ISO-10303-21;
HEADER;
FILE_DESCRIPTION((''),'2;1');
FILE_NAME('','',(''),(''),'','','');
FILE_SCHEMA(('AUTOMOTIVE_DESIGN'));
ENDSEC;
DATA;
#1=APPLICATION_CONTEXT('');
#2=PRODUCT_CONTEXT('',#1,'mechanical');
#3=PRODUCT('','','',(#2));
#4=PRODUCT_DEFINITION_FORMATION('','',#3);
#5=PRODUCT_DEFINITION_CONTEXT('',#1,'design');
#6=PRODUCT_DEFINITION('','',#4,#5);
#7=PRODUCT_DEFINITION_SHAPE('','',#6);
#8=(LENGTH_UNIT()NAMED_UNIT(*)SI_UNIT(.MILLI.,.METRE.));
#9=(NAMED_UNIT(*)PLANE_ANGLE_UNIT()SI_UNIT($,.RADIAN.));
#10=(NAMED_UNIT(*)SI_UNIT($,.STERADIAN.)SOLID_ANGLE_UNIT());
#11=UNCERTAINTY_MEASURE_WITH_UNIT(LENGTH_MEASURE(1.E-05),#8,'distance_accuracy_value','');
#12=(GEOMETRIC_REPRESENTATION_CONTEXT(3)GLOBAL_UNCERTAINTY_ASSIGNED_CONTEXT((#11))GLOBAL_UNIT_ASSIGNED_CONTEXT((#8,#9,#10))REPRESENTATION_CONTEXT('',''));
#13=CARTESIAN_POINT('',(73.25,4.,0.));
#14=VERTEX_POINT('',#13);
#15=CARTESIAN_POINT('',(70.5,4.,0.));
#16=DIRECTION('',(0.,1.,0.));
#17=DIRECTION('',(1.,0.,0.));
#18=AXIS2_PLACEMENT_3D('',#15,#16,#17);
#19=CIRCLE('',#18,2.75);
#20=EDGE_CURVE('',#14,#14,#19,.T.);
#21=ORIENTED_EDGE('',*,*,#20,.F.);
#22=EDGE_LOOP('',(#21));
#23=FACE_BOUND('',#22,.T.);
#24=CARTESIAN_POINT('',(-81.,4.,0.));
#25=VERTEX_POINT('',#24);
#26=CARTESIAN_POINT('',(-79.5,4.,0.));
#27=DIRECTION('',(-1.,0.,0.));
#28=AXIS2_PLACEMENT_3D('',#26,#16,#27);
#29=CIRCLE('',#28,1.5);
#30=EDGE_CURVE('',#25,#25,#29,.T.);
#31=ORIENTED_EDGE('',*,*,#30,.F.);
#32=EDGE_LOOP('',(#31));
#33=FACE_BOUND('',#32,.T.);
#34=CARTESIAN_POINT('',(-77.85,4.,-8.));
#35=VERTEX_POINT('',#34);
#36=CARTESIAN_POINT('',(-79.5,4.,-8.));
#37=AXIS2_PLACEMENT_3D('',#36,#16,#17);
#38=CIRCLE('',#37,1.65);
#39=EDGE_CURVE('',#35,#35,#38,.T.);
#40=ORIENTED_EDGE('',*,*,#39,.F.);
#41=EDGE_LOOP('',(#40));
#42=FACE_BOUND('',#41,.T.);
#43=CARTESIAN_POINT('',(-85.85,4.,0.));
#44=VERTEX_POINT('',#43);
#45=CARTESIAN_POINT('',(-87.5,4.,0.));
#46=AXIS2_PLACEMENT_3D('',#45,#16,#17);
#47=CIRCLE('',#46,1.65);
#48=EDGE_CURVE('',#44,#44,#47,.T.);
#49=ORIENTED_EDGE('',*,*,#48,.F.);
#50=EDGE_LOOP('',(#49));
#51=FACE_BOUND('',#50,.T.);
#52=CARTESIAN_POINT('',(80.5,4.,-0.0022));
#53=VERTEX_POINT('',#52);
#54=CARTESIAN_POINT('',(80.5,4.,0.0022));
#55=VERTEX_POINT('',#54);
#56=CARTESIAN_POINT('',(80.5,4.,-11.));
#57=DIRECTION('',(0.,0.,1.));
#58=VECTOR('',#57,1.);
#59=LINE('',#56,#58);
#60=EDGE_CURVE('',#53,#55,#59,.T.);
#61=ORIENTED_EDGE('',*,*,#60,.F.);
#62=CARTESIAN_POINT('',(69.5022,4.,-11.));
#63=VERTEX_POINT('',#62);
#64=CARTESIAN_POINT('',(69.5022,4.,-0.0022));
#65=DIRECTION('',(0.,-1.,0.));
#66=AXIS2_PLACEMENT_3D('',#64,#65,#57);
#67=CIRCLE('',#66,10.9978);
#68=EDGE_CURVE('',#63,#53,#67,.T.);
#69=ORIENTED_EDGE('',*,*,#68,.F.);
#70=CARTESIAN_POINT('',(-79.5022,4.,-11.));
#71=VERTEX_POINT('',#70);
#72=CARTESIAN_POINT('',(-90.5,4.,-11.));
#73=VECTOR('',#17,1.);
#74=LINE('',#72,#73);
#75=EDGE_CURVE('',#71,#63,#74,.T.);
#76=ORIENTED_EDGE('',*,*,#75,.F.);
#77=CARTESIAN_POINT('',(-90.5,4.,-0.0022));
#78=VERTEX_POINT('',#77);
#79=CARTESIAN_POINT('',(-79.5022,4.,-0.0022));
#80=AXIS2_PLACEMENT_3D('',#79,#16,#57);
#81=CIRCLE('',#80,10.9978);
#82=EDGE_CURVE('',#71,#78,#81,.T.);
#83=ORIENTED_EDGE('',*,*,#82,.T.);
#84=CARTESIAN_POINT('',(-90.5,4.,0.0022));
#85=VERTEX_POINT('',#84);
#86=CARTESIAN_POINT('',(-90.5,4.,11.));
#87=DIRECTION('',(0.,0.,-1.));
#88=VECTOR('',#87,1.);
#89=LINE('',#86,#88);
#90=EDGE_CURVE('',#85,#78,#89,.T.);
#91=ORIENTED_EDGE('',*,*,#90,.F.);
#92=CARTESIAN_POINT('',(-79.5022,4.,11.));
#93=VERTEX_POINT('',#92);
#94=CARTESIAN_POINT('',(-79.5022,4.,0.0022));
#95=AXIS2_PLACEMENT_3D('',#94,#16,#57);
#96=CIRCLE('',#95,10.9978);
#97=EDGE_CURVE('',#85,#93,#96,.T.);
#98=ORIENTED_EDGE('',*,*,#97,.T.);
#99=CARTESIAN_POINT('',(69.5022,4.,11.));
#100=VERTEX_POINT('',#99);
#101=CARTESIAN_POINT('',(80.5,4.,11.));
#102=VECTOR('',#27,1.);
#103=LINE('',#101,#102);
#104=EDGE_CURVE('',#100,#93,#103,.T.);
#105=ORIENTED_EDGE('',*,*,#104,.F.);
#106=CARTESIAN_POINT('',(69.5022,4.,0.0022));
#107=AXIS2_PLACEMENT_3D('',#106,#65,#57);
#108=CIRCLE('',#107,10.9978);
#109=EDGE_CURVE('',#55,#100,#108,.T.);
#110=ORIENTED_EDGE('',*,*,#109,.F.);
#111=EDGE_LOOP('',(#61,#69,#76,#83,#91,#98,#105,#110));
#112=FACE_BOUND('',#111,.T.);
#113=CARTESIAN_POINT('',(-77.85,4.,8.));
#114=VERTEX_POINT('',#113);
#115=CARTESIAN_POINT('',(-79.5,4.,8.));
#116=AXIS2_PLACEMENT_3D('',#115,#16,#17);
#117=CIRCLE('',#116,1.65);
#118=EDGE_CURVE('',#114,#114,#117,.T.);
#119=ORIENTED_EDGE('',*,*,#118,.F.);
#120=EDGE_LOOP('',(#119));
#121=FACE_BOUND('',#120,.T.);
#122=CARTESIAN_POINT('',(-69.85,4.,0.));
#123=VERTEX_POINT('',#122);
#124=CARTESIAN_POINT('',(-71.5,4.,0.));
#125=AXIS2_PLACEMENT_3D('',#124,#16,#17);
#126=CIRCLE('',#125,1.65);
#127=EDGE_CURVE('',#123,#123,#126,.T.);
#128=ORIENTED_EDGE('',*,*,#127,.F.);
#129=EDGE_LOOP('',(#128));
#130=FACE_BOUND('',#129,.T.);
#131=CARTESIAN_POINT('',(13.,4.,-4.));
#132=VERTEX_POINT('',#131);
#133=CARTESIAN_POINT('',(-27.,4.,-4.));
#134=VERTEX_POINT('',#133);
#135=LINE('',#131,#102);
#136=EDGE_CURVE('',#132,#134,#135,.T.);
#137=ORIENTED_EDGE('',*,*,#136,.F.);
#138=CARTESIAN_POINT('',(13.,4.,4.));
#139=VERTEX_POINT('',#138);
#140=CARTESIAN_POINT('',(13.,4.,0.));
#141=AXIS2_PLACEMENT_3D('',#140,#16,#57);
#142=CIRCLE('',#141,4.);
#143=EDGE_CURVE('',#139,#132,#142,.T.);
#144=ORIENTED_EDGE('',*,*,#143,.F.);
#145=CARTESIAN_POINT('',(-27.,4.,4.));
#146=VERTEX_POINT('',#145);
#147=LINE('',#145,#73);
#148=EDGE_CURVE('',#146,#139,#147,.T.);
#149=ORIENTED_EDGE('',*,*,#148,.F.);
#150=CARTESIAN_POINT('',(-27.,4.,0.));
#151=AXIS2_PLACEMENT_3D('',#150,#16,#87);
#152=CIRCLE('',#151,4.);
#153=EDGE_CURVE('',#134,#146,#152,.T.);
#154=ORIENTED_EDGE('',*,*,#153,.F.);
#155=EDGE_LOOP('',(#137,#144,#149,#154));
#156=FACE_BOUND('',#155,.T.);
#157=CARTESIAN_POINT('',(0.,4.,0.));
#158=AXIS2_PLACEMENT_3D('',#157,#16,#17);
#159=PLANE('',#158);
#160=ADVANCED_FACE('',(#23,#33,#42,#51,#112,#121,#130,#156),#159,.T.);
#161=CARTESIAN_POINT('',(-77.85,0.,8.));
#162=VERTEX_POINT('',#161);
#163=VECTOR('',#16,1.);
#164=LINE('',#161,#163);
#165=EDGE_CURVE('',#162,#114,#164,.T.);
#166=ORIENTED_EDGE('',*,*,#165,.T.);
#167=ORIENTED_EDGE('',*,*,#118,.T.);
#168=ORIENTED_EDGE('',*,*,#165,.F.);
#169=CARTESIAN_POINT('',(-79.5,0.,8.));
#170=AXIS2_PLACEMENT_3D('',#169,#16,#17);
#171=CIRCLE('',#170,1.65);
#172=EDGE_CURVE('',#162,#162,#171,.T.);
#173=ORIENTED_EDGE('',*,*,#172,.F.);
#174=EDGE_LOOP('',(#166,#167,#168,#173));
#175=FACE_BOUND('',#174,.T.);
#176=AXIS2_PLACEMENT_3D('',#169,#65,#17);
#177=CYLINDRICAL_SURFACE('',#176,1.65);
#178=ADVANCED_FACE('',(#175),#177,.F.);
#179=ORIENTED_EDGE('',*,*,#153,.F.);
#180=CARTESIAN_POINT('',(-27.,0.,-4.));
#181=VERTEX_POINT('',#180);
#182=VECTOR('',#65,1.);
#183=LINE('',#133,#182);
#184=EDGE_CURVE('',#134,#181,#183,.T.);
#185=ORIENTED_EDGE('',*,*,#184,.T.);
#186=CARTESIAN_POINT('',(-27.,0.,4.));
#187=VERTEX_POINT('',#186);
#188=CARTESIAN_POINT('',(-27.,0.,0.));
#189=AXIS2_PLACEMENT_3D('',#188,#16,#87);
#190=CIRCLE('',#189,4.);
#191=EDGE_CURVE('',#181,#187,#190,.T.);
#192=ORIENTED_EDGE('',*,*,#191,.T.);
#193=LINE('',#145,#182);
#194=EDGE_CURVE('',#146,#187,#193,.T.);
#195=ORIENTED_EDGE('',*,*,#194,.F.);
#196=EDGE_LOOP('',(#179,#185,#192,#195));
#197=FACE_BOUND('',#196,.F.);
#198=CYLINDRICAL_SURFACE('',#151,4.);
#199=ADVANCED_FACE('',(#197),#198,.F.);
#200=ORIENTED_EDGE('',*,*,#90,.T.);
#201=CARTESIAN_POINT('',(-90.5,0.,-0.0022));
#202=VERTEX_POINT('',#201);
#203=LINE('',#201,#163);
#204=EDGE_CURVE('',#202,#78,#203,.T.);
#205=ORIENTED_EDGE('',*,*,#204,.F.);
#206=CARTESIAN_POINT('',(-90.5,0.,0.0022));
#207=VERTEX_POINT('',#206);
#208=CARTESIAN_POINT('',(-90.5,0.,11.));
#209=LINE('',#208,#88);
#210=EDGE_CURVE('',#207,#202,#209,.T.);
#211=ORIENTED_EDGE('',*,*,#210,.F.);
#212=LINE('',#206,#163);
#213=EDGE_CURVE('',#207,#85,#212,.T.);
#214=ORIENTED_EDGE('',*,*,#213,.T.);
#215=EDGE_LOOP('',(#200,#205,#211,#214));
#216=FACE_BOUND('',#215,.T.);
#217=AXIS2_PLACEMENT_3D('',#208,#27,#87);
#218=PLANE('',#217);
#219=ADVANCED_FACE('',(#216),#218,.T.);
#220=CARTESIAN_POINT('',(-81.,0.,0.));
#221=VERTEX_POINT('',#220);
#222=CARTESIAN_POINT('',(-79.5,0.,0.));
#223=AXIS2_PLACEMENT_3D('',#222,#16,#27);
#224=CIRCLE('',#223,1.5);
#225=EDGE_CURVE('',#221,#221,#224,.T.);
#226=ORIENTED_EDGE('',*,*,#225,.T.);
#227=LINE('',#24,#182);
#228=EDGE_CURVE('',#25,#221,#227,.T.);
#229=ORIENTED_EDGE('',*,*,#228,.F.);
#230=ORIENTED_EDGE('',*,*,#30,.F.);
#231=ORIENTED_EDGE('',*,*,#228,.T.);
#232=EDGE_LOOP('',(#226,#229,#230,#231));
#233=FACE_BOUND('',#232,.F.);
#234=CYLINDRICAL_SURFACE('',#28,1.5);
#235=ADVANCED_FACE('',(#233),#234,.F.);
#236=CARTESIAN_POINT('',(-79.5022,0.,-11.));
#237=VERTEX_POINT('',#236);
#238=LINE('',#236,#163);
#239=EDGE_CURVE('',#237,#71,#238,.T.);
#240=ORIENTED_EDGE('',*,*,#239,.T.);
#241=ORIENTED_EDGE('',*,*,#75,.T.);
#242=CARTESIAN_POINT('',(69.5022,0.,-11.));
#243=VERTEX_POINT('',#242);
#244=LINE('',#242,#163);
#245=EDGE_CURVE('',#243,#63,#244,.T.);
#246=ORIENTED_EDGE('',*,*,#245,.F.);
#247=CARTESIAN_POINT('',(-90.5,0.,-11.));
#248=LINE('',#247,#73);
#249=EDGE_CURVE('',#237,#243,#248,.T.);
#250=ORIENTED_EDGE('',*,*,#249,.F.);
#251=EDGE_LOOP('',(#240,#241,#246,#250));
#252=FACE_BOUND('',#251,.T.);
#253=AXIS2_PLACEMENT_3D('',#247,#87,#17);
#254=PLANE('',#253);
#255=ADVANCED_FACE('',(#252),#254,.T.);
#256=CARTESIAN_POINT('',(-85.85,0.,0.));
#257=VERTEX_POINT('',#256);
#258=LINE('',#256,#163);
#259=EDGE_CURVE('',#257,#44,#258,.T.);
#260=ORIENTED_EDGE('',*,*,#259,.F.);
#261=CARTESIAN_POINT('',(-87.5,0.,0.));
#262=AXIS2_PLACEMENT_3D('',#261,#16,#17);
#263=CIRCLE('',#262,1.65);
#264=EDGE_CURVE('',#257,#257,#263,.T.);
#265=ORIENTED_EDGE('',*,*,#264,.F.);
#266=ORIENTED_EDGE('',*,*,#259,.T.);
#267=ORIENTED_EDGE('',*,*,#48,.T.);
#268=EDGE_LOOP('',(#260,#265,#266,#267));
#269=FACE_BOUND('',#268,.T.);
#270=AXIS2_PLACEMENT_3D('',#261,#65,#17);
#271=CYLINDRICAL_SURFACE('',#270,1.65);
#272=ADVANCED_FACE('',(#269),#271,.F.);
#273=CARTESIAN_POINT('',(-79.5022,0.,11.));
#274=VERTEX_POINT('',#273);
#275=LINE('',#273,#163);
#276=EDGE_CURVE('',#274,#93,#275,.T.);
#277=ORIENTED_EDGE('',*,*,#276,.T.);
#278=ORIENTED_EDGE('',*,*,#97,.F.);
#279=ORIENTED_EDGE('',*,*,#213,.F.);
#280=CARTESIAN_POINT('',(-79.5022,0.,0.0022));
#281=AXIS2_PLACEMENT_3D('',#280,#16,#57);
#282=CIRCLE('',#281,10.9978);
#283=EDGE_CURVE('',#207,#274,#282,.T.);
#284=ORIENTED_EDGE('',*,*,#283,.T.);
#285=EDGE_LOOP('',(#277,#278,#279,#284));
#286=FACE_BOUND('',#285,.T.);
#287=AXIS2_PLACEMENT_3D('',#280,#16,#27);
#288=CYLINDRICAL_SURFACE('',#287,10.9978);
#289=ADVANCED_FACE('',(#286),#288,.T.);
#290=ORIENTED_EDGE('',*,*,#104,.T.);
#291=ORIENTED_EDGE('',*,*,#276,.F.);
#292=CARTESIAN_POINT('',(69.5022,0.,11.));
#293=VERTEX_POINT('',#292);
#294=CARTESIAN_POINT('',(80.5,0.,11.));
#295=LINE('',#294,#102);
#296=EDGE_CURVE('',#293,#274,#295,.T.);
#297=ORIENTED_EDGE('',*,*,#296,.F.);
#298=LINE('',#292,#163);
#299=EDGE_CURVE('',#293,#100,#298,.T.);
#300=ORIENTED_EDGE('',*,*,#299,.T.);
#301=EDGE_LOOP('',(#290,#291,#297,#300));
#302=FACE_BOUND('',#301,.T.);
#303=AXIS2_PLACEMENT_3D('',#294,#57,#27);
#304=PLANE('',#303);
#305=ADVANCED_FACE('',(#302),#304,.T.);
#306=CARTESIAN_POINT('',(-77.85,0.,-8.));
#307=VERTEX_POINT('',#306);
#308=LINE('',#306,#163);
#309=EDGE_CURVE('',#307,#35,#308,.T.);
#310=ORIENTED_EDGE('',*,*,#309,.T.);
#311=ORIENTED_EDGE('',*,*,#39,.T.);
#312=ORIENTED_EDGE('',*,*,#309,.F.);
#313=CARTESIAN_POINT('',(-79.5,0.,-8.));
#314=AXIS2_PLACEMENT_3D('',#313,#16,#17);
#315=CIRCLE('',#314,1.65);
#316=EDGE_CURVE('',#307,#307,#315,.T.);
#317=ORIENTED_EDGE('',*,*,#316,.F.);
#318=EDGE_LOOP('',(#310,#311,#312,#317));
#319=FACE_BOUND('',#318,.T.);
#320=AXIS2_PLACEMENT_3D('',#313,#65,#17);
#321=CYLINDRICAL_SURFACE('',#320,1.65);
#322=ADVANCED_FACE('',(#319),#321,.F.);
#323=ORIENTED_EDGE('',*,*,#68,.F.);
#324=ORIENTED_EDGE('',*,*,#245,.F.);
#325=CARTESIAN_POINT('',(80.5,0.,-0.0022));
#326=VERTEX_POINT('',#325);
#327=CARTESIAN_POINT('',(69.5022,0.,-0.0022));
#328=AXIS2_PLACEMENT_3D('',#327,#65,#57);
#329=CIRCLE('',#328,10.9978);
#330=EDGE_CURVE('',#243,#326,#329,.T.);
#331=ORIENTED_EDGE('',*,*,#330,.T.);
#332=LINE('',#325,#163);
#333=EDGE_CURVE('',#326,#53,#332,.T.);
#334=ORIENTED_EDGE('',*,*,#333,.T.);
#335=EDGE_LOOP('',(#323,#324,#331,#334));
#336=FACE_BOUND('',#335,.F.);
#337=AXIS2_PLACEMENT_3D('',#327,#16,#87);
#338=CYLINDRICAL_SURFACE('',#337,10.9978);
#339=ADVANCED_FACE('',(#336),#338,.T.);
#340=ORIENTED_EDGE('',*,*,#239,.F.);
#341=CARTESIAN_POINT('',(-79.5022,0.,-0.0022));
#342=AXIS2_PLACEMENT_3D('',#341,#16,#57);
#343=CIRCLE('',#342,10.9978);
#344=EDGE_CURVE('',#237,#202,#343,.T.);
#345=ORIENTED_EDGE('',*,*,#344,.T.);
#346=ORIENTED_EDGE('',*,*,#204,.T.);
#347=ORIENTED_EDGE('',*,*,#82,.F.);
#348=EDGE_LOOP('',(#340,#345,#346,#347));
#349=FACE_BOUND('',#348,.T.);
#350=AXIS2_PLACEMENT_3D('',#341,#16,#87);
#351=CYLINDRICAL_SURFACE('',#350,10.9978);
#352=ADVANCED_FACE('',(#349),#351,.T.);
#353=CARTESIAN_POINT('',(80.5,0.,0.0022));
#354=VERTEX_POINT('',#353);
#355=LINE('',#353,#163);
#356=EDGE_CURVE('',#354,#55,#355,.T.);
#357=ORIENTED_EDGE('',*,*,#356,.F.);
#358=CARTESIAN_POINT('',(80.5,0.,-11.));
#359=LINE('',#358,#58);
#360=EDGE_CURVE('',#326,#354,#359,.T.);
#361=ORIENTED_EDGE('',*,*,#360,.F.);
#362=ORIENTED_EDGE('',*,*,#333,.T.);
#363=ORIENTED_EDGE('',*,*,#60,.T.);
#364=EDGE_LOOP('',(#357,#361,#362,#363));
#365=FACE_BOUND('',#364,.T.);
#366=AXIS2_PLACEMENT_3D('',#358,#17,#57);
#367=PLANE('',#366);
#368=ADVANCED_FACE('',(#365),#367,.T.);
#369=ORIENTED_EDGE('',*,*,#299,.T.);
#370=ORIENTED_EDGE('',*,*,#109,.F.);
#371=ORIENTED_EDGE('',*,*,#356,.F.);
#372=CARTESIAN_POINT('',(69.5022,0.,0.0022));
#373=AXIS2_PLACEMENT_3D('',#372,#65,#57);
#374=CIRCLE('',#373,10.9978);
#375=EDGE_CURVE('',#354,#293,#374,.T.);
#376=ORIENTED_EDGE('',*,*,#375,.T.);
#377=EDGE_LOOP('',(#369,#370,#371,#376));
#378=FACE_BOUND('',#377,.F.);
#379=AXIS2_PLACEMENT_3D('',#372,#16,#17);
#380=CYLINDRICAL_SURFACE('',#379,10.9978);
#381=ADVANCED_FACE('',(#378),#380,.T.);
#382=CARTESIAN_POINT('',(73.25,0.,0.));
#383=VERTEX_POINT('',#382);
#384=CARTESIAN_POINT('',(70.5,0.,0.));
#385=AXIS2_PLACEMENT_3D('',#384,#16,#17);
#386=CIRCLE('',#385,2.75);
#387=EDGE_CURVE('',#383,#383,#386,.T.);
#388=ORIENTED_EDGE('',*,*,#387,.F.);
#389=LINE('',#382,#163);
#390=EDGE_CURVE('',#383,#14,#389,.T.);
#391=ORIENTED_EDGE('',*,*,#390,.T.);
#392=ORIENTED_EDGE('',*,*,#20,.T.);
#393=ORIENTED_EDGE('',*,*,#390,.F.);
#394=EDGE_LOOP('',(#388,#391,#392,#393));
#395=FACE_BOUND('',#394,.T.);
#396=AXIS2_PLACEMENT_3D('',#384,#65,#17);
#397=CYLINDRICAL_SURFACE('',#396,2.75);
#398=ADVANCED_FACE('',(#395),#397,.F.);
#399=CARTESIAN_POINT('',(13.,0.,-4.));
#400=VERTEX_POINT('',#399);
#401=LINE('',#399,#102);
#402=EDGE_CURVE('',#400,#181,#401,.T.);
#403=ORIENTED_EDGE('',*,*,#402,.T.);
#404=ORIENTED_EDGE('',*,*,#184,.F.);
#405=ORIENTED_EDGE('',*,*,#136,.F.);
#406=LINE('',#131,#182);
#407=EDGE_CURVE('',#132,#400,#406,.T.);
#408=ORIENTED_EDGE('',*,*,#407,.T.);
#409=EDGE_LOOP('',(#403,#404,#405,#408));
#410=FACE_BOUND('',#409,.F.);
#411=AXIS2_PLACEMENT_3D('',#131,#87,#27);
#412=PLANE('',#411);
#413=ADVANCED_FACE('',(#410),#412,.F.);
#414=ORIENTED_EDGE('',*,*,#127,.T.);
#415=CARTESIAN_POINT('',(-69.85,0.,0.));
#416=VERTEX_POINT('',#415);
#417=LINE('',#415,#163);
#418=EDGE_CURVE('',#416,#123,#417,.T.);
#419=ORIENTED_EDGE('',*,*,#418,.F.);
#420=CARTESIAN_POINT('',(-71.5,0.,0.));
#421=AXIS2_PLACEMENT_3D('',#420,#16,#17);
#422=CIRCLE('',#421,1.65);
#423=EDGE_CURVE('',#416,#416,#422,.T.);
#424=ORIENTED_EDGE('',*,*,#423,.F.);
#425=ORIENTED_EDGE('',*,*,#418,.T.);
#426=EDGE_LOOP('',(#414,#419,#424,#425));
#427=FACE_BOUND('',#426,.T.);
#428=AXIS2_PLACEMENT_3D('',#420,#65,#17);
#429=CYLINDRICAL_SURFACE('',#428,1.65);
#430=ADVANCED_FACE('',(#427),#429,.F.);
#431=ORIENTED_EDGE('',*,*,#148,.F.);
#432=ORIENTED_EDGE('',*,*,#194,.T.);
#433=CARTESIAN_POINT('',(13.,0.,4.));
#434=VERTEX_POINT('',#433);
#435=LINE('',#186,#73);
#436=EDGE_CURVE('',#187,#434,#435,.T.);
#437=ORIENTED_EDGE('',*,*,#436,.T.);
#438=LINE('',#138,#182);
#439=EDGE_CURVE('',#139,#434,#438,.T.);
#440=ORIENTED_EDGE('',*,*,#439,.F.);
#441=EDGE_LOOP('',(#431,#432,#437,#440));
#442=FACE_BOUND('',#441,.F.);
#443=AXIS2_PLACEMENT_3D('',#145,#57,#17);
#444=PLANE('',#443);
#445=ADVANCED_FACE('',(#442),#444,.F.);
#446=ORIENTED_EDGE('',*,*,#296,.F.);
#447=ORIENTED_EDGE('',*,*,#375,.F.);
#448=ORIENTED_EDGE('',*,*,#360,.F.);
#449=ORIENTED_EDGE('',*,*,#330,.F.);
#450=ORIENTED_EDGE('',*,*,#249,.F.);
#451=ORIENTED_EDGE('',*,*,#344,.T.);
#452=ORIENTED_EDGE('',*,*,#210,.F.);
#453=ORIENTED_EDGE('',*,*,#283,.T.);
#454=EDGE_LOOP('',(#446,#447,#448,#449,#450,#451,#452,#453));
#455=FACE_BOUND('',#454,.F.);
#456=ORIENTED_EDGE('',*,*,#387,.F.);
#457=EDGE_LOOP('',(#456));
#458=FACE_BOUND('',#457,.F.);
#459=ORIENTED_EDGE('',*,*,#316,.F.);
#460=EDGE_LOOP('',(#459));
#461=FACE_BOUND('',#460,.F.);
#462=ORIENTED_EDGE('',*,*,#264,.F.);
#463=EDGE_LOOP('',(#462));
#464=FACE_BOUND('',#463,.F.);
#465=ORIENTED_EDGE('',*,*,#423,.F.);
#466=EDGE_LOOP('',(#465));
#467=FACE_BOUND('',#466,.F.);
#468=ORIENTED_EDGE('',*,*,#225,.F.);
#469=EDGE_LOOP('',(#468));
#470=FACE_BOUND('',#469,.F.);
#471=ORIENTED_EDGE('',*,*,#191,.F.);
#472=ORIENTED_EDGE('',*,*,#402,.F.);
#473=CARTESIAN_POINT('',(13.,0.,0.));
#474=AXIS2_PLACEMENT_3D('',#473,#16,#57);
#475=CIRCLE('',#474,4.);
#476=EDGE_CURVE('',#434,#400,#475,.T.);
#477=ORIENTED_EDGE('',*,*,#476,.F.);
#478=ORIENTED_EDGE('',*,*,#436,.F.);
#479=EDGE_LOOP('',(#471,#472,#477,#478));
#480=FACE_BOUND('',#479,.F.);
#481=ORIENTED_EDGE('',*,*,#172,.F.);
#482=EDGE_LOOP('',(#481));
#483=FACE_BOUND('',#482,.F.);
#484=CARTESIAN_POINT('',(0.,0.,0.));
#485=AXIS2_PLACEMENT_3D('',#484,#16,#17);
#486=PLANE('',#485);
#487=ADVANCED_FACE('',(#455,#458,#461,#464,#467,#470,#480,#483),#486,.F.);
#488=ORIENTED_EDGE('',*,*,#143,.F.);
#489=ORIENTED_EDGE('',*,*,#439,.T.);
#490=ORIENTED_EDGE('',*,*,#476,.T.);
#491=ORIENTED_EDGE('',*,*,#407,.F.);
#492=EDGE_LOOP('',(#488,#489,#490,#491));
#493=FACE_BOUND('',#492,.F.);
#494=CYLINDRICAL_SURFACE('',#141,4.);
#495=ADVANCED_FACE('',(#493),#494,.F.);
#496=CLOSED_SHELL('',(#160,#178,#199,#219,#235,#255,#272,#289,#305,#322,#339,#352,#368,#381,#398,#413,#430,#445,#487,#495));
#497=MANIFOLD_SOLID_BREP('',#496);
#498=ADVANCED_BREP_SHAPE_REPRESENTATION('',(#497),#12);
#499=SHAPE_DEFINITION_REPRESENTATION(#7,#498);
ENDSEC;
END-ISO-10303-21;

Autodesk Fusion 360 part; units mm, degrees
sketch "Sketch1" plane through (0, 0, 0) normal (0, 1, 0) x (1, 0, 0)
  line L0 (-90.5, 11) -> (80.5, 11)
  line L1 (80.5, 11) -> (80.5, -11)
  line L2 (80.5, -11) -> (-90.5, -11)
  line L3 (-90.5, -11) -> (-90.5, 11)
  circle A0 centre (-71.5, 0) radius 1.65
  circle A1 centre (-79.5, 8) radius 1.65
  circle A2 centre (-87.5, 0) radius 1.65
  circle A3 centre (-79.5, -8) radius 1.65
  circle A4 centre (70.5, 0) radius 2.75
  point P0 (-79.5, 0)
  dimension "d6" = 11
  dimension "d7" = 22
  dimension "d10" = 3.3
  dimension "d11" = 8
  dimension "d13" = 360
  dimension "d14" = 5.5
  dimension "d15" = 10
  dimension "d16" = 150
  dimension "d17" = 11
  dimension "d18" = 11
  dimension "d19" = 11
extrude "Extrude1" add sketch "Sketch1" along normal blind 4
fillet "Fillet1" radius 11 2 edges at (80.5, 2, -11) (80.5, 2, 11)
fillet "Fillet2" radius 11 2 edges at (-90.5, 2, 11) (-90.5, 2, -11)
sketch "Sketch3" plane through (0, 4, 0) normal (0, 1, 0) x (-1, 0, 0)
  circle A0 centre (79.5, -8) radius 1.65
  circle A1 centre (87.5, 0) radius 1.65
  circle A2 centre (79.5, 8) radius 1.65
  circle A3 centre (-70.5, 0) radius 2.75
  circle A4 centre (71.5, 0) radius 1.65
  arc A5 (79.5, -11) -> (79.5, 11) centre (79.5, 0) ccw
  line L0 (79.5, 11) -> (-69.5, 11)
  arc A6 (-69.5, 11) -> (-69.5, -11) centre (-69.5, 0) ccw
  line L1 (-69.5, -11) -> (79.5, -11)
  line L2 (27, 4) -> (-13, 4)
  arc A7 (-13, 4) -> (-13, -4) centre (-13, 0) ccw
  line L3 (-13, -4) -> (27, -4)
  arc A8 (27, -4) -> (27, 4) centre (27, 0) ccw
  line L4 (27, 0) -> (-13, 0) construction
  dimension "d24" = 8
  dimension "d30" = 40
extrude "Extrude2" cut sketch "Sketch3" against normal up to surface (4 mm away) contours L2 A7 L3 A8
sketch "Sketch4" plane through (0, 4, 0) normal (0, 1, 0) x (-1, 0, 0)
  line L0 (27, -4) -> (-13, -4)
  arc A0 (-13, 4) -> (-13, -4) centre (-13, 0) ccw
  line L1 (-13, 4) -> (27, 4)
  arc A1 (27, -4) -> (27, 4) centre (27, 0) ccw
  circle A2 centre (79.5, -8) radius 1.65
  circle A3 centre (87.5, 0) radius 1.65
  circle A4 centre (79.5, 8) radius 1.65
  circle A5 centre (-70.5, 0) radius 2.75
  circle A6 centre (71.5, 0) radius 1.65
  arc A7 (79.5, -11) -> (79.5, 11) centre (79.5, 0) ccw
  line L2 (79.5, 11) -> (-69.5, 11)
  arc A8 (-69.5, 11) -> (-69.5, -11) centre (-69.5, 0) ccw
  line L3 (-69.5, -11) -> (79.5, -11)
  circle A9 centre (79.5, 0) radius 1.5
  dimension "d27" = 3
extrude "Extrude3" cut sketch "Sketch4" against normal up to surface (4 mm away) contours A9
equation "length = 150 mm"
equation "width = 22 mm"
equation "thickness = 4 mm"
equation "d5 = length + width / 2"
equation "d6 = width / 2"
equation "d7 = width"
equation "d16 = length"
equation "d17 = width / 2"
equation "d18 = width / 2"
equation "d20 = thickness"
equation "d22 = width / 2"
equation "d23 = width / 2"
